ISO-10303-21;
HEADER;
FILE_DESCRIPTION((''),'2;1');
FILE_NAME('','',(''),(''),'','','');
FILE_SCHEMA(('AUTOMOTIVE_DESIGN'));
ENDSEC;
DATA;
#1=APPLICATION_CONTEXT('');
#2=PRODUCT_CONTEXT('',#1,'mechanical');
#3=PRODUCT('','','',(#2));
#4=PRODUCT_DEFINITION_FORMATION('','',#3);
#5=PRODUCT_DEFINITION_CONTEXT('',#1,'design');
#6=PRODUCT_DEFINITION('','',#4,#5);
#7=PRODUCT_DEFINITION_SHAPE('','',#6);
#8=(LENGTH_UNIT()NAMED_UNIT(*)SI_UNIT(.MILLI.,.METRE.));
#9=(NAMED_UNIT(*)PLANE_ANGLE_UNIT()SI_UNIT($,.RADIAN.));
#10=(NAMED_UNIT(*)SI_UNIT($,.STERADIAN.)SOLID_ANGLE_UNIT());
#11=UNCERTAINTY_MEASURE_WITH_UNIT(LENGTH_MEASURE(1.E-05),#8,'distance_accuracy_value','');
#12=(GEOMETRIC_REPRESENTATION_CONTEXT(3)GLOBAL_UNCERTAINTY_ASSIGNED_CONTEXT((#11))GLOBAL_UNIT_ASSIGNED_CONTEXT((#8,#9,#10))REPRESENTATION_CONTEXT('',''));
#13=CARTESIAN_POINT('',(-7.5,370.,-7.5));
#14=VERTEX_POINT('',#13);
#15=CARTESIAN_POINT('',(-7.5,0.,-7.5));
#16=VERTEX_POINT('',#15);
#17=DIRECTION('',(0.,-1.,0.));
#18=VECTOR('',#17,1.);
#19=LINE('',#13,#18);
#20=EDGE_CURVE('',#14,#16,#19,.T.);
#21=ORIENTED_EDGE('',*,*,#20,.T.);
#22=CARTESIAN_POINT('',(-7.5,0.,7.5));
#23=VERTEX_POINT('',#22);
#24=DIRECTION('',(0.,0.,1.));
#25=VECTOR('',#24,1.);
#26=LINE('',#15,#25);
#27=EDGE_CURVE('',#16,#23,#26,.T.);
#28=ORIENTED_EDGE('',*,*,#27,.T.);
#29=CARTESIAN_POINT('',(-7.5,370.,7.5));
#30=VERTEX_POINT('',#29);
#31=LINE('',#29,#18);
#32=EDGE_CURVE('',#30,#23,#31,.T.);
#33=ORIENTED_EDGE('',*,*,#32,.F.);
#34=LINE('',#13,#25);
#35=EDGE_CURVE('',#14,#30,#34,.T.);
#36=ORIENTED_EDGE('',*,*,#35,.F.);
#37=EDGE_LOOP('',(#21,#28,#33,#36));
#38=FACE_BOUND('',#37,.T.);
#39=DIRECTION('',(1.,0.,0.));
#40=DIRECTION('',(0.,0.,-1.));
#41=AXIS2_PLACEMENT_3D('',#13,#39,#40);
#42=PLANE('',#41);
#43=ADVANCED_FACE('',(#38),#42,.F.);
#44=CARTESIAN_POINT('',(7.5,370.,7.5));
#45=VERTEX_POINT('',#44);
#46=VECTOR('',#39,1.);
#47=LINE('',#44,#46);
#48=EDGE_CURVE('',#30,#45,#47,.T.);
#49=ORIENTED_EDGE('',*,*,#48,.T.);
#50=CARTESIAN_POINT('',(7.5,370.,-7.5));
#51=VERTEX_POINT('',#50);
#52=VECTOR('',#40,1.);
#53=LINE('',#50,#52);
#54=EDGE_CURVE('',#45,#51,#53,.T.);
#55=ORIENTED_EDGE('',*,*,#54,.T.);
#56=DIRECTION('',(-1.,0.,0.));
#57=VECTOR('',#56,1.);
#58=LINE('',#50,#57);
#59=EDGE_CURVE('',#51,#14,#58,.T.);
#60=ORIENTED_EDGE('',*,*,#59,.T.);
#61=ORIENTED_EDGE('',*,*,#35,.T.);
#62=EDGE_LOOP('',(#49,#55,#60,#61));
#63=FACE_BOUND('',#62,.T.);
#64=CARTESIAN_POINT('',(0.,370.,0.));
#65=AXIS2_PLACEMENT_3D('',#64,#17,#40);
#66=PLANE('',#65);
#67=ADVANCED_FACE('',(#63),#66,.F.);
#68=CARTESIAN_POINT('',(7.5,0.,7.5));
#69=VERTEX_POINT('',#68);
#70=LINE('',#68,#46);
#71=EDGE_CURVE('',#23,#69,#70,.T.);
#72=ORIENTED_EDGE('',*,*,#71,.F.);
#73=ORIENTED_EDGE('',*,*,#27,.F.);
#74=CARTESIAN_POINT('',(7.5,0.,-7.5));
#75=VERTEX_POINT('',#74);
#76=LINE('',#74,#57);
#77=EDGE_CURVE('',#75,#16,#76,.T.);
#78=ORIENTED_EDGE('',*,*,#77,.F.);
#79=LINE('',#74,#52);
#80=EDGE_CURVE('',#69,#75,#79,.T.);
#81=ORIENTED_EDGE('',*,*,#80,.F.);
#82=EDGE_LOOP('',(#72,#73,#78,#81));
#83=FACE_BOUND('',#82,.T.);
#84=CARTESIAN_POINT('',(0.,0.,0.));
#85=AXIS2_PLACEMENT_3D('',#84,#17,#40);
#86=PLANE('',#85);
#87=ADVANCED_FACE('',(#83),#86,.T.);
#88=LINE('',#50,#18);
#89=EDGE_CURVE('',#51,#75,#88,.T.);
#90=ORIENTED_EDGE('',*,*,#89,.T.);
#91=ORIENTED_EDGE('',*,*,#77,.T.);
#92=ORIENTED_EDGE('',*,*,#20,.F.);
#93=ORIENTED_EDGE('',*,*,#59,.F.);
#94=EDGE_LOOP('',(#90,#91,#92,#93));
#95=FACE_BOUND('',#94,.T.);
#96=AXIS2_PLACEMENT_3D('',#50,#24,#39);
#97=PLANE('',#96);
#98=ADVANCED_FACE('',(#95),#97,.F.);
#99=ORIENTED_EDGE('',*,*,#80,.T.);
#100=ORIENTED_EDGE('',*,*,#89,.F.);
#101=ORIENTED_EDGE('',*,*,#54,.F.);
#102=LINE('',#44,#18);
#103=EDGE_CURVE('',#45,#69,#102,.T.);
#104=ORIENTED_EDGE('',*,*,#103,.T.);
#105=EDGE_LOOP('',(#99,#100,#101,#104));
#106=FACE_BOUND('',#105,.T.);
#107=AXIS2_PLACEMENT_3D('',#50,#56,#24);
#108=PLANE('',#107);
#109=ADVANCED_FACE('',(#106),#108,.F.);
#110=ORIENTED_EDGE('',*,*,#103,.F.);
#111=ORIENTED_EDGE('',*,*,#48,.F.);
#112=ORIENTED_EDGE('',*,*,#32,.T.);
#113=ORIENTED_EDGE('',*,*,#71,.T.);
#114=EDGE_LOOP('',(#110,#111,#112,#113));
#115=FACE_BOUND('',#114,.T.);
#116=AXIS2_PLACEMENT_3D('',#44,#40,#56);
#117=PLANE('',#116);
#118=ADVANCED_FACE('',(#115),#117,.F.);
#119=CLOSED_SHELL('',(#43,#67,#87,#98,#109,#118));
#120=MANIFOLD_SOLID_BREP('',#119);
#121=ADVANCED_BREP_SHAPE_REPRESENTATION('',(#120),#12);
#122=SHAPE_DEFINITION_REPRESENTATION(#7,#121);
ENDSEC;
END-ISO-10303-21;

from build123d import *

# Parameters (mm, degrees)
SKETCH1_W           = 15
SKETCH1_H           = 15
BOSS_EXTRUDE1_DEPTH = 370


with BuildPart() as part:
    # Sketch1 → Boss-Extrude1 (new body)
    with BuildSketch(Plane(origin=(0, 0, 0), x_dir=(1, 0, 0), z_dir=(0, 1, 0))):
        Rectangle(SKETCH1_W, SKETCH1_H)
    extrude(amount=BOSS_EXTRUDE1_DEPTH)


solid = part.part
